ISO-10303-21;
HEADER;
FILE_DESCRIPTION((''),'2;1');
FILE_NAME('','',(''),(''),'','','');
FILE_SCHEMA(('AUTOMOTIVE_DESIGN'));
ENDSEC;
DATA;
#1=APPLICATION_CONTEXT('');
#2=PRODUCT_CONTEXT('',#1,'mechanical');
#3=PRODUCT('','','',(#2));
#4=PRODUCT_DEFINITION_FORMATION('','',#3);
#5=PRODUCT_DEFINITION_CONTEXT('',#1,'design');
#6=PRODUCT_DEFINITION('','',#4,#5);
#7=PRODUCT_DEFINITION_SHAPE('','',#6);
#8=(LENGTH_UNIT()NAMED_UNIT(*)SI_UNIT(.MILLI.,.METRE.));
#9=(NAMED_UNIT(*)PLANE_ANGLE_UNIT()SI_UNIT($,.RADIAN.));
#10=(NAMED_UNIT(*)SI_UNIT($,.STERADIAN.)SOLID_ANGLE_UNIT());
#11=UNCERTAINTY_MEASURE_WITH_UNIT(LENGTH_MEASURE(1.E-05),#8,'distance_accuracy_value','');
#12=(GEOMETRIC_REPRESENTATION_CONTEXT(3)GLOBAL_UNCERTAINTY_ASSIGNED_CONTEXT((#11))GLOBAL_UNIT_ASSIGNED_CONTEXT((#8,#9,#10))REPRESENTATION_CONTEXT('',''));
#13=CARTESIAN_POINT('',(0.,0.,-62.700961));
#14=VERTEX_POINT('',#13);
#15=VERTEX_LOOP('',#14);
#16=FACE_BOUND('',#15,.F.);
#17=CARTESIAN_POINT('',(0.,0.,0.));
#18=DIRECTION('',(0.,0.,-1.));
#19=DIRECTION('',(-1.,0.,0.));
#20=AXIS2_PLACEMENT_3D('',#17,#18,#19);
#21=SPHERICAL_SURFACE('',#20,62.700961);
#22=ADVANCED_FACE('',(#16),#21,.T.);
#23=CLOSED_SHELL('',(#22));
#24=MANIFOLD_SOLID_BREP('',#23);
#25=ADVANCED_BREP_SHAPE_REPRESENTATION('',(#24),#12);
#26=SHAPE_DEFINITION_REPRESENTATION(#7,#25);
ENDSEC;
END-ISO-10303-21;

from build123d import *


with BuildPart() as f1:
    # F0 (on Front) → F1 (revolve)
    with BuildSketch(Plane.XZ):
        with BuildLine():
            Line((0, -62.700961), (0, 62.700961))
            ThreePointArc((0, 62.700961), (-62.700961, 0), (0, -62.700961))
        make_face()
    revolve(axis=Axis((0, 0, 4e-06), (0, 0, 1)))


solid = f1.part
